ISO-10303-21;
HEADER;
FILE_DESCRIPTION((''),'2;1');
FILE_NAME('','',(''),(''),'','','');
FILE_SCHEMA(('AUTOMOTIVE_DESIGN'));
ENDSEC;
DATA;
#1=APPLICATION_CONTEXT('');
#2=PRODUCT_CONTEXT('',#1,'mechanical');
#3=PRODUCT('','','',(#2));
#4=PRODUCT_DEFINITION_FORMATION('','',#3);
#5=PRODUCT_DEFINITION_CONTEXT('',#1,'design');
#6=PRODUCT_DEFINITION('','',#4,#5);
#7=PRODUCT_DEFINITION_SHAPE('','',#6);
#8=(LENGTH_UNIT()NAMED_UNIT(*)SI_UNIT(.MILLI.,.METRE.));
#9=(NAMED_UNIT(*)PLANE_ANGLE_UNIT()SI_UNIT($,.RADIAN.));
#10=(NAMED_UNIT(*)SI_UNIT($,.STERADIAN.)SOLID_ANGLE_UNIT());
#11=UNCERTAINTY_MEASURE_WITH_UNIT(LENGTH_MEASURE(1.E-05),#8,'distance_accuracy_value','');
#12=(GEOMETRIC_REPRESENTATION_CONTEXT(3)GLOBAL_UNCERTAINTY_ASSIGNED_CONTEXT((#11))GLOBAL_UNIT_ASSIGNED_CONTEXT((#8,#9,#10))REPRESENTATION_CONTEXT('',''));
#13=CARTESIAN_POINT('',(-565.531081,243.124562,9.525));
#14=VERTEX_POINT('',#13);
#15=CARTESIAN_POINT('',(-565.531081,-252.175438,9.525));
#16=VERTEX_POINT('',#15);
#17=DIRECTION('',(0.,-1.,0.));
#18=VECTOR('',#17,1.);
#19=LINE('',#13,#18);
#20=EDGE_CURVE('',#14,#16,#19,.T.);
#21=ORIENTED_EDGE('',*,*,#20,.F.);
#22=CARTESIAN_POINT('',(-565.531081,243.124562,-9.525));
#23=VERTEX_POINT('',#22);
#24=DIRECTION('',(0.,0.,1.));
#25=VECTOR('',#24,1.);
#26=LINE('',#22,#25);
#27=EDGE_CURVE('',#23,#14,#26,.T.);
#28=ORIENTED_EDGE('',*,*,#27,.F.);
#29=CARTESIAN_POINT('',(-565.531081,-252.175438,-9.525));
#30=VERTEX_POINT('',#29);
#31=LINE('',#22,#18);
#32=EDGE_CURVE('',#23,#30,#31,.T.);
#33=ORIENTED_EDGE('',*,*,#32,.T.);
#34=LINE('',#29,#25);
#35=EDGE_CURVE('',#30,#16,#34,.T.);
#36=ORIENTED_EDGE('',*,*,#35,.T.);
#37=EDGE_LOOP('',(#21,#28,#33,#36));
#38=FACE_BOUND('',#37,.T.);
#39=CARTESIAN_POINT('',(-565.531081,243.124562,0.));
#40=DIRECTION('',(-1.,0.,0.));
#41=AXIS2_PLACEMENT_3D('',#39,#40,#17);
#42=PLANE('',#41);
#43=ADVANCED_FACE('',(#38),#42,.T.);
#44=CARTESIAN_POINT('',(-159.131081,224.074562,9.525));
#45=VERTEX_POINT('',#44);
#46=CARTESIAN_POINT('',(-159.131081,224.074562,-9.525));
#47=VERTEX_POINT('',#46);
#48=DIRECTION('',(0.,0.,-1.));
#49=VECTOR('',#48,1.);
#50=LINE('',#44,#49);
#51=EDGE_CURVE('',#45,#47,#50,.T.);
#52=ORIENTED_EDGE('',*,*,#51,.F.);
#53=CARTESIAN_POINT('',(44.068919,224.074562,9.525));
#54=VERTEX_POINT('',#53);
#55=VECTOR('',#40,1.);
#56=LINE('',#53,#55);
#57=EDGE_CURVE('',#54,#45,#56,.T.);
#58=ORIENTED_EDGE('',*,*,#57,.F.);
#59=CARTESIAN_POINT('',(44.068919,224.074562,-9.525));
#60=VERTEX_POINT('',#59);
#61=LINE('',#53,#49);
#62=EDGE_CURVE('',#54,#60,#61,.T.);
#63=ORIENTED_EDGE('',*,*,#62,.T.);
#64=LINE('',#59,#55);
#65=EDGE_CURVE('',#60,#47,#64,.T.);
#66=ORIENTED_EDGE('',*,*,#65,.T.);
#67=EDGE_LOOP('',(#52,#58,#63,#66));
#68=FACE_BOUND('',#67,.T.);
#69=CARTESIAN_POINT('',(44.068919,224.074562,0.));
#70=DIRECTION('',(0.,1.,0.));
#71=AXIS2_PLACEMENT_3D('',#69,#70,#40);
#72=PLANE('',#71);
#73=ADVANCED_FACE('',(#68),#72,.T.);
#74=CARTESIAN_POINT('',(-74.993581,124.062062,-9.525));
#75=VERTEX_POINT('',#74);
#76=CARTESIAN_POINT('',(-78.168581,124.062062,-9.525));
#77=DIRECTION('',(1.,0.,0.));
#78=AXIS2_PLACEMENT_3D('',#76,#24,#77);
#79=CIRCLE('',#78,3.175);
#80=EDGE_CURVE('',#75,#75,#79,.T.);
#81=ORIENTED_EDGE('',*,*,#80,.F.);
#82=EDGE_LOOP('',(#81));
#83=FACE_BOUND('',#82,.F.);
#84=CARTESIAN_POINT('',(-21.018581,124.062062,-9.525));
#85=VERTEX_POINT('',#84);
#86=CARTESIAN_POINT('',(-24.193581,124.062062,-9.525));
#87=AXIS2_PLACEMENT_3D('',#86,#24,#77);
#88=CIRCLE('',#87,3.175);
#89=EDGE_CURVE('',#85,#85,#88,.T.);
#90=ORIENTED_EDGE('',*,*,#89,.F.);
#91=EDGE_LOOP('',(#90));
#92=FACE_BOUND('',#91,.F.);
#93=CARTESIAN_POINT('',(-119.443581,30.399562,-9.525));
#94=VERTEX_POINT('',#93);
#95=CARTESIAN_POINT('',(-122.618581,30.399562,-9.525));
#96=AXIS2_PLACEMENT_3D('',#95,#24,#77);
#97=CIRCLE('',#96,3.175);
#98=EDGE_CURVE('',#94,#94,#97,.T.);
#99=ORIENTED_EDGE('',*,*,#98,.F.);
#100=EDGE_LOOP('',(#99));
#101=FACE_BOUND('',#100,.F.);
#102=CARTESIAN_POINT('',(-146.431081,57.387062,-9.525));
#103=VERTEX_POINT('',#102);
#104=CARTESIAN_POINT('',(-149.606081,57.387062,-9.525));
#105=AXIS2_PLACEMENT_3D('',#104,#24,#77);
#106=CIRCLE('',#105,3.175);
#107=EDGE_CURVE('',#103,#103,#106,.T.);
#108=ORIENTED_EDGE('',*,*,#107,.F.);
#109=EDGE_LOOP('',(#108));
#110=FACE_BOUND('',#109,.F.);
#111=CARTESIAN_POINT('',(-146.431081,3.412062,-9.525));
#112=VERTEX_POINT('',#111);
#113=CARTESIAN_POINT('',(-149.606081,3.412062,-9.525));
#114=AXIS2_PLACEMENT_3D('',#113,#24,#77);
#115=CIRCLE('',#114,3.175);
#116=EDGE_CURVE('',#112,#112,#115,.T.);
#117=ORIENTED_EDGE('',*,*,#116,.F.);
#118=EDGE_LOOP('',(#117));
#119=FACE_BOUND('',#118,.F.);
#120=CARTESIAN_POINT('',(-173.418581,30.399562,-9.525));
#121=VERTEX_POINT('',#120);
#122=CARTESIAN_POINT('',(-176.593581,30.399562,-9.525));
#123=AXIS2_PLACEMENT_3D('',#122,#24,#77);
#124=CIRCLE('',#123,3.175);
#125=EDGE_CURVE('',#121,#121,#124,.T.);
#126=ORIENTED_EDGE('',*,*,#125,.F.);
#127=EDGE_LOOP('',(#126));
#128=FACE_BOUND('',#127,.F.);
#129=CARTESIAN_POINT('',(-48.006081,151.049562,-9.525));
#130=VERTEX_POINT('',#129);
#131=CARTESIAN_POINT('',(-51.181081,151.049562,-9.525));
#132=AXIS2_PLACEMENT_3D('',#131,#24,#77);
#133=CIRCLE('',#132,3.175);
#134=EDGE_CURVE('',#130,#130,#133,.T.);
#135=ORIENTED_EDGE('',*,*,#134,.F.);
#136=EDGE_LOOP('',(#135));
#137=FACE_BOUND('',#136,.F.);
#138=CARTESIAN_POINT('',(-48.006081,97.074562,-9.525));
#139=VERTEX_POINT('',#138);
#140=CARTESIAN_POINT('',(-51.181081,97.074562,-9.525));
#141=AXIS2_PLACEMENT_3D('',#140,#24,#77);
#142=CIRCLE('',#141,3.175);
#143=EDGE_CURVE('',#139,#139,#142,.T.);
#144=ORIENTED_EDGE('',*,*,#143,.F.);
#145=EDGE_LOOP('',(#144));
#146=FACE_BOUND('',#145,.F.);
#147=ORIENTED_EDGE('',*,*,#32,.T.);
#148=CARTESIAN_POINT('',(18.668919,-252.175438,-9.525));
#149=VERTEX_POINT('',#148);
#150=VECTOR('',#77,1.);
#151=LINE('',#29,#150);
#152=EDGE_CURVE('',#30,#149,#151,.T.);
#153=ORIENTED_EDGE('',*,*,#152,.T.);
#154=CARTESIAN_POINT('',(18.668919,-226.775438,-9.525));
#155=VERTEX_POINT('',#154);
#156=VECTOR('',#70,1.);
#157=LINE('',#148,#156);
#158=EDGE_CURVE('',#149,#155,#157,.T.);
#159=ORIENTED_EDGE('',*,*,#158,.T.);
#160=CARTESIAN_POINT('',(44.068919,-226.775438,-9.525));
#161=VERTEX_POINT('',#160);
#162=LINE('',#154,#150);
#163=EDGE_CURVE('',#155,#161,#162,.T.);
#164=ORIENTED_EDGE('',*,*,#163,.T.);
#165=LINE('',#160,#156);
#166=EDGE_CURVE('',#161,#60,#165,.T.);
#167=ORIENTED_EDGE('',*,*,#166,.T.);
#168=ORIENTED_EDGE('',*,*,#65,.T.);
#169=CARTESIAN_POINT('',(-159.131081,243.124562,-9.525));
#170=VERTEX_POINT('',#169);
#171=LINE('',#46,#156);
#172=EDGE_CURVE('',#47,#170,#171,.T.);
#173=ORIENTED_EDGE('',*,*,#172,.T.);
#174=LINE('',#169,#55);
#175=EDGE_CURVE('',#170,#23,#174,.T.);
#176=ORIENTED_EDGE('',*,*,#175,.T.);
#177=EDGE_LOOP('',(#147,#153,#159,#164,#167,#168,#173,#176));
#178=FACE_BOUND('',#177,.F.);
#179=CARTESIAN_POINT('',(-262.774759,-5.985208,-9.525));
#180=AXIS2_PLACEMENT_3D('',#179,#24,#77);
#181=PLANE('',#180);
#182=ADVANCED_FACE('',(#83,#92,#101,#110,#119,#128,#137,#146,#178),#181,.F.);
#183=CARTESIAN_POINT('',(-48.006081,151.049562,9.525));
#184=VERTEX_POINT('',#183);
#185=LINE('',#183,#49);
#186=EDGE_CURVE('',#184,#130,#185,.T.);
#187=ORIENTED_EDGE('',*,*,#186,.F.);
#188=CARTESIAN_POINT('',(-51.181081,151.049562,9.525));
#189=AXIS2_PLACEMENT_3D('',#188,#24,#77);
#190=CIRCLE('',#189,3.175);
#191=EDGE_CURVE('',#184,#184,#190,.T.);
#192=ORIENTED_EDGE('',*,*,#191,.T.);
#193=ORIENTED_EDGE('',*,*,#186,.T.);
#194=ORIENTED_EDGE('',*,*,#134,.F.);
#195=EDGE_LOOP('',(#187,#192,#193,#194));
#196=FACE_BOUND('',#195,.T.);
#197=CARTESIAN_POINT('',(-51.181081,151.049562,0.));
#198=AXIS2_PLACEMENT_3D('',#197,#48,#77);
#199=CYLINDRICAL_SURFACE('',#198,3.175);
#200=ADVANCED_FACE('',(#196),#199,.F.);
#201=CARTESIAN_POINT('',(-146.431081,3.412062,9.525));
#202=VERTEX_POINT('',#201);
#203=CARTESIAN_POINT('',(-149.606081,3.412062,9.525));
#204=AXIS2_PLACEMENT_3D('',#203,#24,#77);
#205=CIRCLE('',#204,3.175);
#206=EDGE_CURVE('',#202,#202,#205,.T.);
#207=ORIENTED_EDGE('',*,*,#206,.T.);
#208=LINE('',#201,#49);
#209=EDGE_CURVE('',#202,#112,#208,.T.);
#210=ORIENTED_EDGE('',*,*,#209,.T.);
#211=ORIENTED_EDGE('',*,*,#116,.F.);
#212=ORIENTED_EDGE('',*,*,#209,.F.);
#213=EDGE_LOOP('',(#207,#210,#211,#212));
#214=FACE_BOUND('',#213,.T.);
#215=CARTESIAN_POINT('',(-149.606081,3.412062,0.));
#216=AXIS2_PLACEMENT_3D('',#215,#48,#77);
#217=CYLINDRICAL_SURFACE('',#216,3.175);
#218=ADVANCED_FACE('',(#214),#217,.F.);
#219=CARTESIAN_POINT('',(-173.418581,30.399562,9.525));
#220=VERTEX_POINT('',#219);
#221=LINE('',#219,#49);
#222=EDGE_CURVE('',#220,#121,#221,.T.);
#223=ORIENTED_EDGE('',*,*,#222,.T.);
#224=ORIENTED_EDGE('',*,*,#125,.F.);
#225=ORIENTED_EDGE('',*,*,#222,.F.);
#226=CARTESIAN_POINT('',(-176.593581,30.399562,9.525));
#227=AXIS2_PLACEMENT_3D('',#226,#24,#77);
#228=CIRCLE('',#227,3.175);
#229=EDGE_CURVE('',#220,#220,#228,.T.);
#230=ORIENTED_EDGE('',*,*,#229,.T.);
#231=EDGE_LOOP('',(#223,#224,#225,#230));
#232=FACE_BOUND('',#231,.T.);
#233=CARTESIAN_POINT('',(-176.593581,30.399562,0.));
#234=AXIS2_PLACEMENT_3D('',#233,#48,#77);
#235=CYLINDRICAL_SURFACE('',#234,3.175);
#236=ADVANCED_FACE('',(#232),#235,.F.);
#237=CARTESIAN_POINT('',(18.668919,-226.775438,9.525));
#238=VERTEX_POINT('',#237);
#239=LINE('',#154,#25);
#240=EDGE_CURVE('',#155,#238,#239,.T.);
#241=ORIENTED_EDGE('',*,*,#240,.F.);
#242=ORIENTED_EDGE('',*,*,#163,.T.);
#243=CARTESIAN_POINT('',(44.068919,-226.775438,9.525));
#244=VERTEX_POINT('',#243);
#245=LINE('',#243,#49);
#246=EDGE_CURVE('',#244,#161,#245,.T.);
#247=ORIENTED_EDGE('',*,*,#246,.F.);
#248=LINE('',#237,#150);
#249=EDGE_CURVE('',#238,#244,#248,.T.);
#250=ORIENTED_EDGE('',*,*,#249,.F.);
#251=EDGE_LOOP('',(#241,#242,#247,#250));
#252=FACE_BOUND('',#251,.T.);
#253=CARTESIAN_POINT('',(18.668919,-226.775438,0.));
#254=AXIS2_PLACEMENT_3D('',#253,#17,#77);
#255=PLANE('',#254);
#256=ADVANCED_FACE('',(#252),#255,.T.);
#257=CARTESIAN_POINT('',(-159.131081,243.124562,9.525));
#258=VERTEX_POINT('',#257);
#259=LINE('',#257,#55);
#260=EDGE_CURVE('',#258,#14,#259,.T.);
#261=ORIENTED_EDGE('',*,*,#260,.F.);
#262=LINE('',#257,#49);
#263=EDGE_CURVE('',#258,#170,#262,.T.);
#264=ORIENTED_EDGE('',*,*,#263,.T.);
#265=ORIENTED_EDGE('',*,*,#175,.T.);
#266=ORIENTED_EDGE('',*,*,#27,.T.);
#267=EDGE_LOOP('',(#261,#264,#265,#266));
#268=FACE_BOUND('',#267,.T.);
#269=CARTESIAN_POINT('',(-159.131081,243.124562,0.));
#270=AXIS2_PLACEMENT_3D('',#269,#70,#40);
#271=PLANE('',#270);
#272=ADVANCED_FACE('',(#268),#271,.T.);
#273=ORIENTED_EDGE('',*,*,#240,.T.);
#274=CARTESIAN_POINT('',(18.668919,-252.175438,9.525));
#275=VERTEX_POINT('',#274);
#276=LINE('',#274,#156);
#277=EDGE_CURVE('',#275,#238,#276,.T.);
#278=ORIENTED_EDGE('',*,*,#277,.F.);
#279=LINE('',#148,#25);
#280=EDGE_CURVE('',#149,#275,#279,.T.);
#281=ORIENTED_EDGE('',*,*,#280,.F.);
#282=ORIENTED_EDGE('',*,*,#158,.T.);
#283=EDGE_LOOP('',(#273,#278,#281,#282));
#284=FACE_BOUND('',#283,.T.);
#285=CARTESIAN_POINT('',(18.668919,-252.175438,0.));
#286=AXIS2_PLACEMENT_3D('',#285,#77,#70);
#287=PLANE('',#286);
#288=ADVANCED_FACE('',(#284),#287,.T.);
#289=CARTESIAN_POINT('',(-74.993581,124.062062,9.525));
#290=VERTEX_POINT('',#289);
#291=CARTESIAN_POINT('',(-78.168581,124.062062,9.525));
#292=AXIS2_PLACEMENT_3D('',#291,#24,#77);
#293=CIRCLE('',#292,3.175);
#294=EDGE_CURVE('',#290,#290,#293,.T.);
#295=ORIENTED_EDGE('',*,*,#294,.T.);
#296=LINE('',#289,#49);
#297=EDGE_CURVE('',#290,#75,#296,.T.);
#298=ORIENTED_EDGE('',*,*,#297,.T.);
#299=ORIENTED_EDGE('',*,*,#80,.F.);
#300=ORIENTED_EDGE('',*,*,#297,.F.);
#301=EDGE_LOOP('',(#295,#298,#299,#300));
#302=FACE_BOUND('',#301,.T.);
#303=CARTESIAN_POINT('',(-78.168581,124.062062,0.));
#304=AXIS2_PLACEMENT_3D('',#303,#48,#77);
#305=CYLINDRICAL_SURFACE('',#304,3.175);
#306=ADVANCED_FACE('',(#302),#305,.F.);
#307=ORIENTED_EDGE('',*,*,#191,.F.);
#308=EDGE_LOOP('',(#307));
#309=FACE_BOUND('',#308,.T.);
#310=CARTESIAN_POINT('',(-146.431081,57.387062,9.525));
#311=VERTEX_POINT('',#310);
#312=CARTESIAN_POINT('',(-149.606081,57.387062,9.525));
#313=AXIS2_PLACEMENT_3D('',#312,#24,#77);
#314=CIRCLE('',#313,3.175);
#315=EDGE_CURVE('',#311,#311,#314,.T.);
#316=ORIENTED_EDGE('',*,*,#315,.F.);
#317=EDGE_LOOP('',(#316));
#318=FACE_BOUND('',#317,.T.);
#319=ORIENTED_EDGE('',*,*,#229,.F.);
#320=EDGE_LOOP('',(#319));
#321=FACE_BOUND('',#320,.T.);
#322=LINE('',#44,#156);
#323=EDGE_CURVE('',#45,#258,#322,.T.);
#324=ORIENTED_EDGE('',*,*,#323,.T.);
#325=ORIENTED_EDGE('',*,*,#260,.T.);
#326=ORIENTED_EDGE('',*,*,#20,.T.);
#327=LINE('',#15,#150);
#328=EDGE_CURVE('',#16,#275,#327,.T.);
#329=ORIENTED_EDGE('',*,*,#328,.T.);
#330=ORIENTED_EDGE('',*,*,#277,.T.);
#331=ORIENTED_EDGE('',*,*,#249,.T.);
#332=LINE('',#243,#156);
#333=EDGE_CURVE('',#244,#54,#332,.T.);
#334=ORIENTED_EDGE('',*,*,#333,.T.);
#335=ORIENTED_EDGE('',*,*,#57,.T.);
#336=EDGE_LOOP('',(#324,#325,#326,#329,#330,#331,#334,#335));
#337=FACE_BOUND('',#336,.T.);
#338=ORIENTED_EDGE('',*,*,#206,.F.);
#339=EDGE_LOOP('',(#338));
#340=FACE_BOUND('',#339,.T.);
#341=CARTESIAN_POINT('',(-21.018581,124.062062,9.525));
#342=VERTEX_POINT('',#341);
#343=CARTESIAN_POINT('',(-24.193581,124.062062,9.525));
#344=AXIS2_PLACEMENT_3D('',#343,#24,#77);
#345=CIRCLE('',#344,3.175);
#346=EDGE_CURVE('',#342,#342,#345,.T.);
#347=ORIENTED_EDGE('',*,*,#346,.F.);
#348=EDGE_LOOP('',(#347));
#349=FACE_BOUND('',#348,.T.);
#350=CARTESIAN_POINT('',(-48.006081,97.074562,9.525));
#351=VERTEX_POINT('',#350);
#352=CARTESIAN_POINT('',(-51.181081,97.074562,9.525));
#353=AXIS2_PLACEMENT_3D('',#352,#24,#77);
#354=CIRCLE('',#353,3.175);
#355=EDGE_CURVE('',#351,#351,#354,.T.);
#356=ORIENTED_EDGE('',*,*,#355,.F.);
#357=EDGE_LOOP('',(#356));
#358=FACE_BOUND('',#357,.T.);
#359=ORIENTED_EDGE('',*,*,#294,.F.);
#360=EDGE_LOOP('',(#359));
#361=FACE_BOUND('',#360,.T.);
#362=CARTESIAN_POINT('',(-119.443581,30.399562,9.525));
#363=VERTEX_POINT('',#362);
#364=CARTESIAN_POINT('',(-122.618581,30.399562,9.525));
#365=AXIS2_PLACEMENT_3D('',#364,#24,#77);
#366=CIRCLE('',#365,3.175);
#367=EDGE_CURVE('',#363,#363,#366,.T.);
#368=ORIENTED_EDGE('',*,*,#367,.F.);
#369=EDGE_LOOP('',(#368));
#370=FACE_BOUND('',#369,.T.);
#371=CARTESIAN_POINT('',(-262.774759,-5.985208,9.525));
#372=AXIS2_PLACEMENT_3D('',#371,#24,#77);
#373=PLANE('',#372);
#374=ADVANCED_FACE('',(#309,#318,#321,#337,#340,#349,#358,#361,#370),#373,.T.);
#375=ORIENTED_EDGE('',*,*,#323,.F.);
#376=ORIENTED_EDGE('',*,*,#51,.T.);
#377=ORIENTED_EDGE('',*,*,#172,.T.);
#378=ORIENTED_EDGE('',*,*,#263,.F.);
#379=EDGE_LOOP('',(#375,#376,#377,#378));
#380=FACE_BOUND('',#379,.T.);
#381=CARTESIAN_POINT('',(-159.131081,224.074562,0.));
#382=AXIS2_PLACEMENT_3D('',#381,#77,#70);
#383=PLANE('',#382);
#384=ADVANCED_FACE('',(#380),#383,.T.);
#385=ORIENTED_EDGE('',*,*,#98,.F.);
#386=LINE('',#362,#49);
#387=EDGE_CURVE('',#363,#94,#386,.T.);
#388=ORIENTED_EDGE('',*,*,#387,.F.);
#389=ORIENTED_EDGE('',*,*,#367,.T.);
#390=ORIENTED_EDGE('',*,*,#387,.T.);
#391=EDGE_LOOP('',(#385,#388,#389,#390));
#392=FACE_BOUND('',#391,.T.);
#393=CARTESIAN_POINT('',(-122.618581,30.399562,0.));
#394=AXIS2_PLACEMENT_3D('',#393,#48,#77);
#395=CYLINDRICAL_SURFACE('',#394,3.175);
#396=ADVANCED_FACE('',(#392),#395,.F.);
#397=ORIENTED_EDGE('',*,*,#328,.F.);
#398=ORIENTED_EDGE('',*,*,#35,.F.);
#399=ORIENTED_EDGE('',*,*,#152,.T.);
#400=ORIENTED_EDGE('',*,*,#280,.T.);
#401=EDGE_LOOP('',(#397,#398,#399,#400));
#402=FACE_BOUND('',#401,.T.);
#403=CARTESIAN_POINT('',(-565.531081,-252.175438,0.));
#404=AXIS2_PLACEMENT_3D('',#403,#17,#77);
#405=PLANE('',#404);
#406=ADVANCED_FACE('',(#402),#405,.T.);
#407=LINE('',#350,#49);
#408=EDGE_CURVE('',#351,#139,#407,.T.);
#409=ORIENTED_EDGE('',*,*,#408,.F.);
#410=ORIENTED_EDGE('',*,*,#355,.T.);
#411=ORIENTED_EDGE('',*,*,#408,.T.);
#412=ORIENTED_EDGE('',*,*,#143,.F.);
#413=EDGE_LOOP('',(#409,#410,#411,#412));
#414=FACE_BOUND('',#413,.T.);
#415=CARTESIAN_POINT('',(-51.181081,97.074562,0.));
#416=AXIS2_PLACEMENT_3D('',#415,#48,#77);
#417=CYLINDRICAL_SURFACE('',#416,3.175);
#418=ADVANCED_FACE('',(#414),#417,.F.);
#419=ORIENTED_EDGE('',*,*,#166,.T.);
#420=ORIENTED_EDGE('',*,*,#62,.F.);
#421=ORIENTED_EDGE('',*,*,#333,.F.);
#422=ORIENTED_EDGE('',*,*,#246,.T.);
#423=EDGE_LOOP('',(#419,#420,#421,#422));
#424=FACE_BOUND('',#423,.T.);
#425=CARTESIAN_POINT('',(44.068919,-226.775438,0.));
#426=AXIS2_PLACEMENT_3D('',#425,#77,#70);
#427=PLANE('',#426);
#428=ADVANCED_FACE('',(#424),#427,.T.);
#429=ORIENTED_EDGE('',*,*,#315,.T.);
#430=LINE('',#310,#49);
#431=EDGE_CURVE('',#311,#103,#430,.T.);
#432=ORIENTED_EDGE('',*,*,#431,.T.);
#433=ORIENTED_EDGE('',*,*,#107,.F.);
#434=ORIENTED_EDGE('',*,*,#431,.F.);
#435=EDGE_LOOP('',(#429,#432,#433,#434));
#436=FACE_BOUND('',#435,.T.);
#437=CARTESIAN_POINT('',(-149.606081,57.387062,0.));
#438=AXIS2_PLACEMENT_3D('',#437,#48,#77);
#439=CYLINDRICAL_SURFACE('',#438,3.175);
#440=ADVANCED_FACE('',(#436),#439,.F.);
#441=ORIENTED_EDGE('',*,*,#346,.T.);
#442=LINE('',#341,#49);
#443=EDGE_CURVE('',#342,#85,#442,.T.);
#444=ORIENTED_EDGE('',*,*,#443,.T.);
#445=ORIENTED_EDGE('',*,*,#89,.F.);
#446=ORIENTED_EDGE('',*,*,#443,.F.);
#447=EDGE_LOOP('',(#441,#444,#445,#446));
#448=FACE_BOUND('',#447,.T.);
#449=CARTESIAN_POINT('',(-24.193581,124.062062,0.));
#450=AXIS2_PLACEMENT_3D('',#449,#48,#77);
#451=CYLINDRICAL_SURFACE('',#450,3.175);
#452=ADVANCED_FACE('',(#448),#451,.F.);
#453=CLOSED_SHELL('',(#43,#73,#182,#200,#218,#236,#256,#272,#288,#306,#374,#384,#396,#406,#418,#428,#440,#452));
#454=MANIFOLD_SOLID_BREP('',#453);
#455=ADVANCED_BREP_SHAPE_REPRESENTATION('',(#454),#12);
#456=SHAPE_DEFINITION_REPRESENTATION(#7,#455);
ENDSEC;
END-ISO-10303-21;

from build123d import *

# Parameters (mm, degrees)
F0_R     = 3.175
F1_DEPTH = 9.525


with BuildPart() as f1:
    # F0 (on Top) → F1 (new body, symmetric)
    with BuildSketch(Plane.XY):
        Polygon((-159.131081, 243.124562), (-565.531081, 243.124562), (-565.531081, -252.175438), (18.668919, -252.175438), (18.668919, -226.775438), (44.068919, -226.775438), (44.068919, 224.074562), (-159.131081, 224.074562), align=None)
        with Locations((-149.606081, 3.412062)):
            Circle(F0_R, mode=Mode.SUBTRACT)
        with Locations((-176.593581, 30.399562)):
            Circle(F0_R, mode=Mode.SUBTRACT)
        with Locations((-149.606081, 57.387062)):
            Circle(F0_R, mode=Mode.SUBTRACT)
        with Locations((-122.618581, 30.399562)):
            Circle(F0_R, mode=Mode.SUBTRACT)
        with Locations((-51.181081, 97.074562)):
            Circle(F0_R, mode=Mode.SUBTRACT)
        with Locations((-78.168581, 124.062062)):
            Circle(F0_R, mode=Mode.SUBTRACT)
        with Locations((-51.181081, 151.049562)):
            Circle(F0_R, mode=Mode.SUBTRACT)
        with Locations((-24.193581, 124.062062)):
            Circle(F0_R, mode=Mode.SUBTRACT)
    extrude(amount=F1_DEPTH, both=True)


solid = f1.part
